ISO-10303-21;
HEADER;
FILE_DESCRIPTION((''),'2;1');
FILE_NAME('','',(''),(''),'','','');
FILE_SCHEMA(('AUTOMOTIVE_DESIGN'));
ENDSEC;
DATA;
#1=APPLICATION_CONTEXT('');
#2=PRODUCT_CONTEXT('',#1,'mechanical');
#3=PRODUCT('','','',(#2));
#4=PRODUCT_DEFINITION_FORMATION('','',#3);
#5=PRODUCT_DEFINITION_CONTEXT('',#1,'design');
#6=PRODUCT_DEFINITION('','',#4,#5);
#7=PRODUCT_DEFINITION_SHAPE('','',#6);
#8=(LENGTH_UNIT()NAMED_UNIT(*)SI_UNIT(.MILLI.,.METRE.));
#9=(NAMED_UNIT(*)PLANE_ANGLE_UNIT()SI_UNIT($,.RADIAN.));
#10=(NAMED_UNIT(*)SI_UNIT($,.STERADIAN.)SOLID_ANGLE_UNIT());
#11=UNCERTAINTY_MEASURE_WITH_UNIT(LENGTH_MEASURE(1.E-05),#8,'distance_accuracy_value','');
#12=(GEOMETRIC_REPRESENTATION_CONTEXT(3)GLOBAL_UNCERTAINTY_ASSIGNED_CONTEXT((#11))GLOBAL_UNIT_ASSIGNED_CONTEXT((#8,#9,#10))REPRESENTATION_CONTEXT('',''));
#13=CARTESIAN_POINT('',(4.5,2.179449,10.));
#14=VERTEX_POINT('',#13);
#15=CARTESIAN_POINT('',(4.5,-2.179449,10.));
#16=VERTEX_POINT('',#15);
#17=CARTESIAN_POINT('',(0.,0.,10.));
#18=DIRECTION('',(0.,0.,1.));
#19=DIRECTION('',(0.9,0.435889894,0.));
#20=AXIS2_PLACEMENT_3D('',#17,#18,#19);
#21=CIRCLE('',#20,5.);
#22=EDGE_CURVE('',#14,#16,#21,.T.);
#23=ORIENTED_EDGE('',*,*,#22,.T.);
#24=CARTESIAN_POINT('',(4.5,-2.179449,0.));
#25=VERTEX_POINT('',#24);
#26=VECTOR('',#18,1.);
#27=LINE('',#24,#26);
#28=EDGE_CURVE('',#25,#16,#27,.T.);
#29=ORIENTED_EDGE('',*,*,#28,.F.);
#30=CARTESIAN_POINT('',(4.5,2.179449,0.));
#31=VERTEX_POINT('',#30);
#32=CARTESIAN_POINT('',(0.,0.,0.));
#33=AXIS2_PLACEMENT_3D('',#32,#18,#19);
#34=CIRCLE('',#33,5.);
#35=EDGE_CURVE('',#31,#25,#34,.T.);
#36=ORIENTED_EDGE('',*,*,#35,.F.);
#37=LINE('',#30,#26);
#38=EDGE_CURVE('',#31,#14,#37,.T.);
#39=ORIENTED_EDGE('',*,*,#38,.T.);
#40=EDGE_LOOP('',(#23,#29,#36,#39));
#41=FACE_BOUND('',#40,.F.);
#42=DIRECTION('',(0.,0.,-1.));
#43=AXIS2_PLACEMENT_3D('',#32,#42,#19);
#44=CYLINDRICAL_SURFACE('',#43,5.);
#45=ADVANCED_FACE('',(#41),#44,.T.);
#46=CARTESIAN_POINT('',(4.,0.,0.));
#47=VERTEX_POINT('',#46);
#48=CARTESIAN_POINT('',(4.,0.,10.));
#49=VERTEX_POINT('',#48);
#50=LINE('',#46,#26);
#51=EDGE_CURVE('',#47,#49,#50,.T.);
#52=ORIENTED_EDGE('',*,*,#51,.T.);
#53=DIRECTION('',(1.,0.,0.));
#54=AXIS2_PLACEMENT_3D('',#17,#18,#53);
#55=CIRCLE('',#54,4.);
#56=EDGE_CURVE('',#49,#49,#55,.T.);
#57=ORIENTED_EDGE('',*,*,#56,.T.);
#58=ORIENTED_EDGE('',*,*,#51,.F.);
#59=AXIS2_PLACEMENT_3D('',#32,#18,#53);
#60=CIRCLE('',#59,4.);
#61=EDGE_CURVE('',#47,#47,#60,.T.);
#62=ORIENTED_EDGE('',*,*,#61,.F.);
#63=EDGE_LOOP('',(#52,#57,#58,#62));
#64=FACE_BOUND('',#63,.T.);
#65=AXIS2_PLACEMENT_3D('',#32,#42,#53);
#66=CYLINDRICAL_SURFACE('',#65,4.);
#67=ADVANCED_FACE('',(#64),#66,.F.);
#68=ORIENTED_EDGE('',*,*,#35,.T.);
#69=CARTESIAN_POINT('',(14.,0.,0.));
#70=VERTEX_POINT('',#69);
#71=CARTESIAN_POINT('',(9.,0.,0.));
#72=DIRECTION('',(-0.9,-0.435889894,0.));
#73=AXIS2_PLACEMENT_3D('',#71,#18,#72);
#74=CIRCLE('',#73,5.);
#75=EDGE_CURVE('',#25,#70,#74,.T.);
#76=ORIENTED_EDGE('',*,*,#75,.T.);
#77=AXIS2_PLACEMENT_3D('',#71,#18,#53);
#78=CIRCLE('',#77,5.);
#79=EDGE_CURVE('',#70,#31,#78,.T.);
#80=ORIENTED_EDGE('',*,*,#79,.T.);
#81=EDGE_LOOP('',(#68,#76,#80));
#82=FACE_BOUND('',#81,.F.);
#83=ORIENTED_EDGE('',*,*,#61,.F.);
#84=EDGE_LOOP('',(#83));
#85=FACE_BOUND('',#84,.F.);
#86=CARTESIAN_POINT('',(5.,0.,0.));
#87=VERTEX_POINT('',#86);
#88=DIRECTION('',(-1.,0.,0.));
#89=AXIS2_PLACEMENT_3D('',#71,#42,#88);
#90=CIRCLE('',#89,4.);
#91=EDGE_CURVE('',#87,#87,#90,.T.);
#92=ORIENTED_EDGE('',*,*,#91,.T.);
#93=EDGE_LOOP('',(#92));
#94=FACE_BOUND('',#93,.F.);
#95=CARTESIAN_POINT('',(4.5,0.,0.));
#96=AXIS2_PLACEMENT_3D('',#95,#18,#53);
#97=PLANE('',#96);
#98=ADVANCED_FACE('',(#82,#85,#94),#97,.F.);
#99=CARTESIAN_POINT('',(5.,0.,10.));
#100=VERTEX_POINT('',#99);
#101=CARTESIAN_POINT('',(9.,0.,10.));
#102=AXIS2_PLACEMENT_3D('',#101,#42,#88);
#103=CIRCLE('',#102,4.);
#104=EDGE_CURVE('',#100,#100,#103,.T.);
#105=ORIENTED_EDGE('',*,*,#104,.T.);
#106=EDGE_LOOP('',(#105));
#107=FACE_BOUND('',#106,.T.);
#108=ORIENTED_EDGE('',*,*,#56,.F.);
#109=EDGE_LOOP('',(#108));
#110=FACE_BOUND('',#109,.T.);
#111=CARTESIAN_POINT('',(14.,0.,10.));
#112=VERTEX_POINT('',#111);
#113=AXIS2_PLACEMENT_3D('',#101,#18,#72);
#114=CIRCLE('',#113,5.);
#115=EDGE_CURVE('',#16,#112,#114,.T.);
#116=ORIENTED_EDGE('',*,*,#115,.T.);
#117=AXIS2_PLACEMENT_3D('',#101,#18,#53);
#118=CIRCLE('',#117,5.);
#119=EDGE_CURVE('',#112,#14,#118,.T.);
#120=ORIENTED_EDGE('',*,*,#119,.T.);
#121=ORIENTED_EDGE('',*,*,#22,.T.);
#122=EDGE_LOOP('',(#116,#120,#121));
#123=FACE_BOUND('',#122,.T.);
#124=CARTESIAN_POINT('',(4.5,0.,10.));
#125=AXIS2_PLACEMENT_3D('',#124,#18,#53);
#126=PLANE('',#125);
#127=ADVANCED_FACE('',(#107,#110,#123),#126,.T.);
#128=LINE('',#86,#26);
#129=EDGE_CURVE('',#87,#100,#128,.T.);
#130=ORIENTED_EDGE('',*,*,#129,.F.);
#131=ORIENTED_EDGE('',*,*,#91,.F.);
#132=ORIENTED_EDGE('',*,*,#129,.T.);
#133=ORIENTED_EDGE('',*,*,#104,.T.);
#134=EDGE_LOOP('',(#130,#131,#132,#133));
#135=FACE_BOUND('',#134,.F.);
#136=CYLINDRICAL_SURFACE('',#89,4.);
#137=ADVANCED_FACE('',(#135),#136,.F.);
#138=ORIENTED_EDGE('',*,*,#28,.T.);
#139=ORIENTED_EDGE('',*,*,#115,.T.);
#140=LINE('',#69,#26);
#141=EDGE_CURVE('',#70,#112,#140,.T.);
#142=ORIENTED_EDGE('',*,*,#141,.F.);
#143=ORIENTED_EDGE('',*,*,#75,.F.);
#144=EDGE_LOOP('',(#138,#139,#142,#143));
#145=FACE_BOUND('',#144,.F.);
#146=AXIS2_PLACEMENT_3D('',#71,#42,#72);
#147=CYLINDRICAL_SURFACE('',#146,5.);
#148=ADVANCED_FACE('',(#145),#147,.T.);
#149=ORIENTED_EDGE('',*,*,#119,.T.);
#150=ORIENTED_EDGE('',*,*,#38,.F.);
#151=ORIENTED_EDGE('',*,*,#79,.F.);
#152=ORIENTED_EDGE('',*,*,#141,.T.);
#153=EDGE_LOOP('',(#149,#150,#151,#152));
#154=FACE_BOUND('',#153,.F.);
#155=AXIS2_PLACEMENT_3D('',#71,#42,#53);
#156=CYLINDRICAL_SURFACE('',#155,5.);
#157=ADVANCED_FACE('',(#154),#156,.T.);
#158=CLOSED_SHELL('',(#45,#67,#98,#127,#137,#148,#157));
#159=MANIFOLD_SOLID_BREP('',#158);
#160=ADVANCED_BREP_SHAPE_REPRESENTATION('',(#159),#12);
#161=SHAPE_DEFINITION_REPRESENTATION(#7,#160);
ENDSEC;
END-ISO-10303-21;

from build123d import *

# Parameters (mm, degrees)
F0_R     = 4
F1_DEPTH = 10


with BuildPart() as f1:
    # F0 (on Top) → F1 (new body)
    with BuildSketch(Plane.XY):
        with BuildLine():
            ThreePointArc((4.5, -2.1794494718), (4.8733971724, -1.1180339887), (5, 0))
            ThreePointArc((5, 0), (4.8733971724, 1.1180339887), (4.5, 2.1794494718))
            ThreePointArc((4.5, 2.1794494718), (4.1266028276, 1.1180339887), (4, 0))
            ThreePointArc((4, 0), (4.1266028276, -1.1180339887), (4.5, -2.1794494718))
        make_face()
        with BuildLine():
            ThreePointArc((4.5, 2.1794494718), (4.8733971724, 1.1180339887), (5, 0))
            ThreePointArc((5, 0), (4.8733971724, -1.1180339887), (4.5, -2.1794494718))
            ThreePointArc((4.5, -2.1794494718), (10.1180339887, -4.8733971724), (14, 0))
            ThreePointArc((14, 0), (10.1180339887, 4.8733971724), (4.5, 2.1794494718))
        make_face()
        with BuildLine():
            ThreePointArc((13, 0), (9, -4), (5, 0))
            ThreePointArc((5, 0), (9, 4), (13, 0))
        make_face(mode=Mode.SUBTRACT)
        with BuildLine():
            ThreePointArc((4, 0), (4.1266028276, 1.1180339887), (4.5, 2.1794494718))
            ThreePointArc((4.5, 2.1794494718), (-5, 0), (4.5, -2.1794494718))
            ThreePointArc((4.5, -2.1794494718), (4.1266028276, -1.1180339887), (4, 0))
        make_face()
        Circle(F0_R, mode=Mode.SUBTRACT)
    extrude(amount=F1_DEPTH)


solid = f1.part
